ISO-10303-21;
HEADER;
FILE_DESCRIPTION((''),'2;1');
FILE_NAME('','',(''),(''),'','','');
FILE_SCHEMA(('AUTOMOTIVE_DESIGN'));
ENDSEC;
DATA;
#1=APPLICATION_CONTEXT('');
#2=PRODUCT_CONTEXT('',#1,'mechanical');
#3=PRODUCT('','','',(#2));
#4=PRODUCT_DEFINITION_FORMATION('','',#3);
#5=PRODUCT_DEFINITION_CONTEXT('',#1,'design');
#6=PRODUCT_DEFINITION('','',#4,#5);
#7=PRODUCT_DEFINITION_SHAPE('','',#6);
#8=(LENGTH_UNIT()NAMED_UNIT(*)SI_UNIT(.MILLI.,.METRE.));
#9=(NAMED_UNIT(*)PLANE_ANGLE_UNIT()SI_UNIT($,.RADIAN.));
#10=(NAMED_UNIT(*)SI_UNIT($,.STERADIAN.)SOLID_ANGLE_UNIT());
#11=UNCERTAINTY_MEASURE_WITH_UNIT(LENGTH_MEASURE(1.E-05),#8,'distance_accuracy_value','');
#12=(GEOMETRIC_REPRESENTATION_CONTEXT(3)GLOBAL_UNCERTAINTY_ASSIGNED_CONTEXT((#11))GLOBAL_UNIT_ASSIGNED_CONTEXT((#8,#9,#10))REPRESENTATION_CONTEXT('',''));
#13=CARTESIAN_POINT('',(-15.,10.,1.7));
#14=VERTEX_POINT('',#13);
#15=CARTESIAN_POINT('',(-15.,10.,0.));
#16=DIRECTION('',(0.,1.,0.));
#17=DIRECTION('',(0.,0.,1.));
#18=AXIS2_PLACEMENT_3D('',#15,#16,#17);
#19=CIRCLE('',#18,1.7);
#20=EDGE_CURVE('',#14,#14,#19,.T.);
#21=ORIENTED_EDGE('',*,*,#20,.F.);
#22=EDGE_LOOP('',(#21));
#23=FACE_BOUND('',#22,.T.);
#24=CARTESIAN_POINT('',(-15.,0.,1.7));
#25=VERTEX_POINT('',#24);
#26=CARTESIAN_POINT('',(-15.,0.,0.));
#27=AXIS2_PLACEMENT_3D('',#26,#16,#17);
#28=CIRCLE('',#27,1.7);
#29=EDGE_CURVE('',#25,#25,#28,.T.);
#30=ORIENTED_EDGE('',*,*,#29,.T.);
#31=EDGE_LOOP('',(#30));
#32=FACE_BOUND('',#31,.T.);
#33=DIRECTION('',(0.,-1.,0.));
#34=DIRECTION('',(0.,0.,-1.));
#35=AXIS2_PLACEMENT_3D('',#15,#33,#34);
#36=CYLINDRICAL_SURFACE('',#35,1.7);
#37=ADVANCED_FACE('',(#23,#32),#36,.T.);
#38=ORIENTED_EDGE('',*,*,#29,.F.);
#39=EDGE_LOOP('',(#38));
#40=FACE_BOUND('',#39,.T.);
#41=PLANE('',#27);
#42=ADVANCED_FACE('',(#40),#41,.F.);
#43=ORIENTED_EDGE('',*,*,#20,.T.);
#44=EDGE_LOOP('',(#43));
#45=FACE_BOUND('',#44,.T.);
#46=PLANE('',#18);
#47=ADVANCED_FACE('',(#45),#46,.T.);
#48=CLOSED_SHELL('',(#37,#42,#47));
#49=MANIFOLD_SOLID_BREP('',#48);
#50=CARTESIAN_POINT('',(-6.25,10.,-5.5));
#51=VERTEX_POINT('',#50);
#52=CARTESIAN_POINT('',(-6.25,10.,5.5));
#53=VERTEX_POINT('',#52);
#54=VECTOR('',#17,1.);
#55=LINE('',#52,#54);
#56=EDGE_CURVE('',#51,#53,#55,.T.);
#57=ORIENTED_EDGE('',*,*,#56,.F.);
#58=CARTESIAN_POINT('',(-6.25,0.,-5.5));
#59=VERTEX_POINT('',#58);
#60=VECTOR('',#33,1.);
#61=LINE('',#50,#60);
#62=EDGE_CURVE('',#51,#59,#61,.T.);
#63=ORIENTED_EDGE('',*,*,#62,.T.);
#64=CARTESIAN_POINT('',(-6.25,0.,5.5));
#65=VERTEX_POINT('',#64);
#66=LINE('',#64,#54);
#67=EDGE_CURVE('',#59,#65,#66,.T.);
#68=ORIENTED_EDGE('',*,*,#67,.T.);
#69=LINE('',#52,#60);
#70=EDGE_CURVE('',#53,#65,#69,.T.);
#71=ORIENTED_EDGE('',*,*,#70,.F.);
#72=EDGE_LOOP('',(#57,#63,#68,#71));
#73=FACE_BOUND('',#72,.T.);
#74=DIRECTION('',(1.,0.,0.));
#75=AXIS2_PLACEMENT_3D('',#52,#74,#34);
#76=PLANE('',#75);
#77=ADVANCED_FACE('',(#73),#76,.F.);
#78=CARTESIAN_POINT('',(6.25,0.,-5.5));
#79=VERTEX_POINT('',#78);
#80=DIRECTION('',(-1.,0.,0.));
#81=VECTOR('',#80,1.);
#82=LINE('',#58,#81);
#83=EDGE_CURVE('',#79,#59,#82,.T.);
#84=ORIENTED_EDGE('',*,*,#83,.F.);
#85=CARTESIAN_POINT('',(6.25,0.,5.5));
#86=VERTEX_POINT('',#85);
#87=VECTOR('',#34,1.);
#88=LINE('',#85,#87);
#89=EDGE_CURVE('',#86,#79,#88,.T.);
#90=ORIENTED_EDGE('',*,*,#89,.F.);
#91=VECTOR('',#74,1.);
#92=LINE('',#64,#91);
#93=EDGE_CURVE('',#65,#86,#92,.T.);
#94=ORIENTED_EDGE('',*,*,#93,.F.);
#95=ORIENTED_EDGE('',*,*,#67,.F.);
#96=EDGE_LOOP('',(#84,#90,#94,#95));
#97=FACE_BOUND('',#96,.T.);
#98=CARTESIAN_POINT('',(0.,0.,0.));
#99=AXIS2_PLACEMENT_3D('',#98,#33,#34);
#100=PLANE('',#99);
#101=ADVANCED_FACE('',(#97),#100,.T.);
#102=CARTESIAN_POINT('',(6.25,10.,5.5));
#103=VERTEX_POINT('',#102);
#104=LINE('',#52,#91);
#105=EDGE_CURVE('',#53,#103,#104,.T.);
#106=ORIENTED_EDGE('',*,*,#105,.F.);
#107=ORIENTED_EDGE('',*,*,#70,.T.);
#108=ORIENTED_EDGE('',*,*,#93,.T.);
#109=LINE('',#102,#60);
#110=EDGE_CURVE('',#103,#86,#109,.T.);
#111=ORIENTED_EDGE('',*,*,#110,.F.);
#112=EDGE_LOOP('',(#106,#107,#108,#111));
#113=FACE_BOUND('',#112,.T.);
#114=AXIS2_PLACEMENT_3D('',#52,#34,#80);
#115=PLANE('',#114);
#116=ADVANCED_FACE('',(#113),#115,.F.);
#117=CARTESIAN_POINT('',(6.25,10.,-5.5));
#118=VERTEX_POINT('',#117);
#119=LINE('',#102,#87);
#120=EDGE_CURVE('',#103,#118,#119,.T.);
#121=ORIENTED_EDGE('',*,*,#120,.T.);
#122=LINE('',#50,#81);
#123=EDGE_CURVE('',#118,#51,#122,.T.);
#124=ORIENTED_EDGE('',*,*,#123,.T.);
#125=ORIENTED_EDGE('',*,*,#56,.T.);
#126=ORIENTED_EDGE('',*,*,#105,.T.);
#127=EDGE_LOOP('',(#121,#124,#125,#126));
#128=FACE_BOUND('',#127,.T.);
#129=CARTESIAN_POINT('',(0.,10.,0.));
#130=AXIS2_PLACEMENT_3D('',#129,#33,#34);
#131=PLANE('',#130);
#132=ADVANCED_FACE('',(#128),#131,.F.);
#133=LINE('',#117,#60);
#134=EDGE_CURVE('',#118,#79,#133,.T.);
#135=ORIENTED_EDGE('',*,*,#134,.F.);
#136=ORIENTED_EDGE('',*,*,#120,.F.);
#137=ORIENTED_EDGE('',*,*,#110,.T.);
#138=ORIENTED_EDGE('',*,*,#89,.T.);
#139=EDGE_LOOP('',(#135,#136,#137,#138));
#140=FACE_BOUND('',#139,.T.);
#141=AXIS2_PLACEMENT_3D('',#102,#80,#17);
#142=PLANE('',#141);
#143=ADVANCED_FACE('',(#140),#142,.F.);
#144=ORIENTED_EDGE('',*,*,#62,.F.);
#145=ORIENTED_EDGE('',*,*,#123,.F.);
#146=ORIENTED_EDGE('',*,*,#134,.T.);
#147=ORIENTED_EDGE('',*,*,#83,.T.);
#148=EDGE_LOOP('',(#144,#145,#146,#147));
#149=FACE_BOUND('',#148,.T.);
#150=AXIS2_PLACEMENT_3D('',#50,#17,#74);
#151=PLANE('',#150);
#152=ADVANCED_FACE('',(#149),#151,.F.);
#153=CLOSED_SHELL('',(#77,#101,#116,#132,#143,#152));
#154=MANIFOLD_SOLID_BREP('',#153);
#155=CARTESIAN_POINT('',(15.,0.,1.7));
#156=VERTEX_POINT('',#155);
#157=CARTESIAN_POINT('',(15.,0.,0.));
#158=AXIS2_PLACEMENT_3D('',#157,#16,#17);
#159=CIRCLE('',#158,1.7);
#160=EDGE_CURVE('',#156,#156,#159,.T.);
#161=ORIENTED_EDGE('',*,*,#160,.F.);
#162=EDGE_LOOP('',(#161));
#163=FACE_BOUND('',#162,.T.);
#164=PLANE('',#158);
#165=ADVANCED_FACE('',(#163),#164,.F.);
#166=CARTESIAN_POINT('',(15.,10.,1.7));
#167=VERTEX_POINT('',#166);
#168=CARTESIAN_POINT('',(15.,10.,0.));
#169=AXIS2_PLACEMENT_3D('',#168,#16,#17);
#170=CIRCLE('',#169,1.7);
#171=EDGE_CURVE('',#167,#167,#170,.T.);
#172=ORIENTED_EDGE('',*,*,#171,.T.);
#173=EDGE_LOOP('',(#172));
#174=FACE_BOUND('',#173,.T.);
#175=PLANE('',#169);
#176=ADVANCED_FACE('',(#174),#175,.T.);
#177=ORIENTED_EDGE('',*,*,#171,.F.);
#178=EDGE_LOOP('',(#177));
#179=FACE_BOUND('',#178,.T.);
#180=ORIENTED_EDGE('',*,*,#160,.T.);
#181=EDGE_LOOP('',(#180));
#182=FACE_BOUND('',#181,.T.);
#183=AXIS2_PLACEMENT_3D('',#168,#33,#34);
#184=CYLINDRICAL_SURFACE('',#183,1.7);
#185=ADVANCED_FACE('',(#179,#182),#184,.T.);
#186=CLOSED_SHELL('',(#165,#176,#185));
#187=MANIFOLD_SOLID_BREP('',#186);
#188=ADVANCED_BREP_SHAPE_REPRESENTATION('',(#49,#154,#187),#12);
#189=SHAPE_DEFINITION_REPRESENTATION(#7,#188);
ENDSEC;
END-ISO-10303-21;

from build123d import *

# Parameters (mm, degrees)
SKETCH2_R             = 1.7
BOSS_EXTRUDE1_DEPTH   = 10
BOSS_EXTRUDE1_2_DEPTH = 10
SKETCH2_W             = 12.5
SKETCH2_H             = 11
BOSS_EXTRUDE1_3_DEPTH = 10


with BuildPart() as part:
    # Sketch2 → Boss-Extrude1 (new body)
    with BuildSketch(Plane(origin=(0, 0, 0), x_dir=(1, 0, 0), z_dir=(0, 1, 0))):
        with Locations((15, 0)):
            Circle(SKETCH2_R)
    extrude(amount=BOSS_EXTRUDE1_DEPTH)


with BuildPart() as body_2:
    # Sketch2 → Boss-Extrude1 2 (new body)
    with BuildSketch(Plane(origin=(0, 0, 0), x_dir=(1, 0, 0), z_dir=(0, 1, 0))):
        with Locations((-15, 0)):
            Circle(SKETCH2_R)
    extrude(amount=BOSS_EXTRUDE1_2_DEPTH)


with BuildPart() as body_3:
    # Sketch2 → Boss-Extrude1 3 (new body)
    with BuildSketch(Plane(origin=(0, 0, 0), x_dir=(1, 0, 0), z_dir=(0, 1, 0))):
        Rectangle(SKETCH2_W, SKETCH2_H)
    extrude(amount=BOSS_EXTRUDE1_3_DEPTH)


solid = Compound([part.part, body_2.part, body_3.part])
